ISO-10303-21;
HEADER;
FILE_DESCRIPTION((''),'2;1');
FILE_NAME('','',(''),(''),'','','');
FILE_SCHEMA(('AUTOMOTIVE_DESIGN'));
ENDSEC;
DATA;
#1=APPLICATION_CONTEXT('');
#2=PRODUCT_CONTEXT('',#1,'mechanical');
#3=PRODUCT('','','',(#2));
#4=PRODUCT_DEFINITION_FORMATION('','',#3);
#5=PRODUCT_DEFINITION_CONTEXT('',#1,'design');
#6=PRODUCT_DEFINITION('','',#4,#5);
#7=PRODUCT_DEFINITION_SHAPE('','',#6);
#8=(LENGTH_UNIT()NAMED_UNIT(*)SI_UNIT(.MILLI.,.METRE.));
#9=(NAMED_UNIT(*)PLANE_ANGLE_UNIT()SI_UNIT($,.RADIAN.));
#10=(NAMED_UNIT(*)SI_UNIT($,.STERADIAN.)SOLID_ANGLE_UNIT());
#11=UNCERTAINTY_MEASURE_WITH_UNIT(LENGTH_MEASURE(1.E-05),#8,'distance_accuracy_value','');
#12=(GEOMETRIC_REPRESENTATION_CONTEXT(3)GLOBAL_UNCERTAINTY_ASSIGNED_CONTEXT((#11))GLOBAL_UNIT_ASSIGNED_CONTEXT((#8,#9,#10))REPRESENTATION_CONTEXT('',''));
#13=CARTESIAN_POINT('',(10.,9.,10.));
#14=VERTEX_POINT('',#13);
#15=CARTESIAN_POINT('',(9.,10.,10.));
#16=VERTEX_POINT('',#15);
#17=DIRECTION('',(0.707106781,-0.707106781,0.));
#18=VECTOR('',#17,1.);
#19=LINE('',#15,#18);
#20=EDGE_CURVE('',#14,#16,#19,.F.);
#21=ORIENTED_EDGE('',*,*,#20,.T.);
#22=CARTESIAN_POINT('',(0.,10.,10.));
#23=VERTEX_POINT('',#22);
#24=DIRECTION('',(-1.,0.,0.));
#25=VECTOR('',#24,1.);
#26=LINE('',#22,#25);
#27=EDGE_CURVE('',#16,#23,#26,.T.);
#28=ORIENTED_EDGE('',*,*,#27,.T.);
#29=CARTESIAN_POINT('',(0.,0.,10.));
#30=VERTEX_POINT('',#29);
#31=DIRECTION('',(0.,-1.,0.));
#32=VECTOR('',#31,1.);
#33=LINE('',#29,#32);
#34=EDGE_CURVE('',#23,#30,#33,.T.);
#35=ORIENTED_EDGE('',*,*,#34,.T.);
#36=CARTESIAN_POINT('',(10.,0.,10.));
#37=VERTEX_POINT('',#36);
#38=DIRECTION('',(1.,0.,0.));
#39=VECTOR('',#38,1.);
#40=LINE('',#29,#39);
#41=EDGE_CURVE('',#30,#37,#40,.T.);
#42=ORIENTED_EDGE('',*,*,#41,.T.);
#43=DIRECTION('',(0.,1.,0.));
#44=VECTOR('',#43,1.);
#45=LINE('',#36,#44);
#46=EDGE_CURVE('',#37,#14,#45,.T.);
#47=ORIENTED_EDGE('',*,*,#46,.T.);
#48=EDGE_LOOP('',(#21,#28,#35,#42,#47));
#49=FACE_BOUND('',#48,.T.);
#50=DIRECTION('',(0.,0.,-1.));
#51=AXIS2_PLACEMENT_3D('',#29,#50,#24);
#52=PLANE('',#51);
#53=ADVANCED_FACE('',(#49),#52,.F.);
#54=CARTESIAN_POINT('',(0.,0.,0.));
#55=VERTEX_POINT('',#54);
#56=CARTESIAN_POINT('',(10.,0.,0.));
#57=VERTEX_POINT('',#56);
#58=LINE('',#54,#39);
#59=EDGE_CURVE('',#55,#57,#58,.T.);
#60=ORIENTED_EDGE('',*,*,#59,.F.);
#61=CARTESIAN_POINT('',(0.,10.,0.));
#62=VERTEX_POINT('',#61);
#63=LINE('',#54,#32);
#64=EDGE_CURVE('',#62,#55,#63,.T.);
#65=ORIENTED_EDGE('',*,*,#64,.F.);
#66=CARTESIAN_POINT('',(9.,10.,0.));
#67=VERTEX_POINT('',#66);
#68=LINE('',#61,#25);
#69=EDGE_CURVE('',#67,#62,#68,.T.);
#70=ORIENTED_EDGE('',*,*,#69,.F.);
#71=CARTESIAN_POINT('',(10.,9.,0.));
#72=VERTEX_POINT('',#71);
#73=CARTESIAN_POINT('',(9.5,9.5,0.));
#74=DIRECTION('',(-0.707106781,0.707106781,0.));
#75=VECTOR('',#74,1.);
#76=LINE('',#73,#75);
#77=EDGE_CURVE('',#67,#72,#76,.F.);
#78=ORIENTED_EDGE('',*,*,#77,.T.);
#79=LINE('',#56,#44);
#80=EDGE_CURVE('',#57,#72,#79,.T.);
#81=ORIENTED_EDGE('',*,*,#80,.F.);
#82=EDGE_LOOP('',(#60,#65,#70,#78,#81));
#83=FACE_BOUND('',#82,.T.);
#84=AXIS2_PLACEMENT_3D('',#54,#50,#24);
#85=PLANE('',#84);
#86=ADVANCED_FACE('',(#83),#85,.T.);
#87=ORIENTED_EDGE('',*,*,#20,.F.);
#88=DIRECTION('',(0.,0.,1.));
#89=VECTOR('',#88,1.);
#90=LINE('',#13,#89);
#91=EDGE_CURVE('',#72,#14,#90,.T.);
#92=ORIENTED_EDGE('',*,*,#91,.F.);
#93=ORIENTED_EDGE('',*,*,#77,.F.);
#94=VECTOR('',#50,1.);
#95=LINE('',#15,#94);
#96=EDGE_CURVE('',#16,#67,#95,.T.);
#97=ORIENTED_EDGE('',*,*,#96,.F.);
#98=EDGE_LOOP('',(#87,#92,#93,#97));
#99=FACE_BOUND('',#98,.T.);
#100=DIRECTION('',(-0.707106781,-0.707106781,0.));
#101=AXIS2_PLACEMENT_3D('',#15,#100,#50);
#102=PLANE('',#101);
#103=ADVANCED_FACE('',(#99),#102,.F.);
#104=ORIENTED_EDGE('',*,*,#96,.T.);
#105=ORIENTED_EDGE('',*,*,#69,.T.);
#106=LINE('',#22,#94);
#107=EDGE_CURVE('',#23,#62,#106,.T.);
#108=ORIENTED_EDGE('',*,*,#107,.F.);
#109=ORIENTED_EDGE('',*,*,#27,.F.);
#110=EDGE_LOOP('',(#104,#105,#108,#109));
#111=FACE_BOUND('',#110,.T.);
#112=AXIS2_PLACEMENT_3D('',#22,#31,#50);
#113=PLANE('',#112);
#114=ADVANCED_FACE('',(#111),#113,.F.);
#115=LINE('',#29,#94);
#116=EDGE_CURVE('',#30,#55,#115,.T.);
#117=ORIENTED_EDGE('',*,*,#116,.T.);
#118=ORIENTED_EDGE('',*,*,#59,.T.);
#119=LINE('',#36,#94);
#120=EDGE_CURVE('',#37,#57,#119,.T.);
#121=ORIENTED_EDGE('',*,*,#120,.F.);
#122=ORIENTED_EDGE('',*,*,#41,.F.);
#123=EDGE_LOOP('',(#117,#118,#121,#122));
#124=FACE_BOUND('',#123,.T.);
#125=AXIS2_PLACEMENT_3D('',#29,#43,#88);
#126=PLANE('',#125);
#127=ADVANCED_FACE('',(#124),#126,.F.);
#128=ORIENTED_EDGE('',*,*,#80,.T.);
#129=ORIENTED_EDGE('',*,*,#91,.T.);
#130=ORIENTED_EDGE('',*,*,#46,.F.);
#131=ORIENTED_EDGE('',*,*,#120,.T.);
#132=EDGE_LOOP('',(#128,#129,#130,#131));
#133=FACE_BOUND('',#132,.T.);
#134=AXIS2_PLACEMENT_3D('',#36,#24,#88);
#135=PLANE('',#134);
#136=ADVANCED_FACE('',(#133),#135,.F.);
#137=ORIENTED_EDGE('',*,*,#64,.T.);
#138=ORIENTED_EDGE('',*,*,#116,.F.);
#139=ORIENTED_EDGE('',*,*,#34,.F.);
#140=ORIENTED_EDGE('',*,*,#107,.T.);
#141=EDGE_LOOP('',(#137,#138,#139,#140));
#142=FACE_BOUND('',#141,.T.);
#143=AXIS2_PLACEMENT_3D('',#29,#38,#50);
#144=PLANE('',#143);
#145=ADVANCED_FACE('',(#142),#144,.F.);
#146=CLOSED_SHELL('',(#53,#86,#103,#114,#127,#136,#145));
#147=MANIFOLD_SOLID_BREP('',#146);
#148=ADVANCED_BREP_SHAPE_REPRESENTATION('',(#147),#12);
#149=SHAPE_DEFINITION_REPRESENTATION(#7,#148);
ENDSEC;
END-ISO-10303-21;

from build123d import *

# Parameters (mm, degrees)
SKETCH1_W           = 10
SKETCH1_H           = 10
BOSS_EXTRUDE1_DEPTH = 10
CHAMFER1_SIZE       = 1


with BuildPart() as part:
    # Sketch1 → Boss-Extrude1 (new body)
    with BuildSketch(Plane.XY):
        with Locations((5, 5)):
            Rectangle(SKETCH1_W, SKETCH1_H)
    extrude(amount=BOSS_EXTRUDE1_DEPTH)

    # Chamfer1
    chamfer1_edges = [part.edges().sort_by_distance(p)[0] for p in [
        (10, 10, 5),
    ]]
    chamfer(chamfer1_edges, length=CHAMFER1_SIZE)


solid = part.part
